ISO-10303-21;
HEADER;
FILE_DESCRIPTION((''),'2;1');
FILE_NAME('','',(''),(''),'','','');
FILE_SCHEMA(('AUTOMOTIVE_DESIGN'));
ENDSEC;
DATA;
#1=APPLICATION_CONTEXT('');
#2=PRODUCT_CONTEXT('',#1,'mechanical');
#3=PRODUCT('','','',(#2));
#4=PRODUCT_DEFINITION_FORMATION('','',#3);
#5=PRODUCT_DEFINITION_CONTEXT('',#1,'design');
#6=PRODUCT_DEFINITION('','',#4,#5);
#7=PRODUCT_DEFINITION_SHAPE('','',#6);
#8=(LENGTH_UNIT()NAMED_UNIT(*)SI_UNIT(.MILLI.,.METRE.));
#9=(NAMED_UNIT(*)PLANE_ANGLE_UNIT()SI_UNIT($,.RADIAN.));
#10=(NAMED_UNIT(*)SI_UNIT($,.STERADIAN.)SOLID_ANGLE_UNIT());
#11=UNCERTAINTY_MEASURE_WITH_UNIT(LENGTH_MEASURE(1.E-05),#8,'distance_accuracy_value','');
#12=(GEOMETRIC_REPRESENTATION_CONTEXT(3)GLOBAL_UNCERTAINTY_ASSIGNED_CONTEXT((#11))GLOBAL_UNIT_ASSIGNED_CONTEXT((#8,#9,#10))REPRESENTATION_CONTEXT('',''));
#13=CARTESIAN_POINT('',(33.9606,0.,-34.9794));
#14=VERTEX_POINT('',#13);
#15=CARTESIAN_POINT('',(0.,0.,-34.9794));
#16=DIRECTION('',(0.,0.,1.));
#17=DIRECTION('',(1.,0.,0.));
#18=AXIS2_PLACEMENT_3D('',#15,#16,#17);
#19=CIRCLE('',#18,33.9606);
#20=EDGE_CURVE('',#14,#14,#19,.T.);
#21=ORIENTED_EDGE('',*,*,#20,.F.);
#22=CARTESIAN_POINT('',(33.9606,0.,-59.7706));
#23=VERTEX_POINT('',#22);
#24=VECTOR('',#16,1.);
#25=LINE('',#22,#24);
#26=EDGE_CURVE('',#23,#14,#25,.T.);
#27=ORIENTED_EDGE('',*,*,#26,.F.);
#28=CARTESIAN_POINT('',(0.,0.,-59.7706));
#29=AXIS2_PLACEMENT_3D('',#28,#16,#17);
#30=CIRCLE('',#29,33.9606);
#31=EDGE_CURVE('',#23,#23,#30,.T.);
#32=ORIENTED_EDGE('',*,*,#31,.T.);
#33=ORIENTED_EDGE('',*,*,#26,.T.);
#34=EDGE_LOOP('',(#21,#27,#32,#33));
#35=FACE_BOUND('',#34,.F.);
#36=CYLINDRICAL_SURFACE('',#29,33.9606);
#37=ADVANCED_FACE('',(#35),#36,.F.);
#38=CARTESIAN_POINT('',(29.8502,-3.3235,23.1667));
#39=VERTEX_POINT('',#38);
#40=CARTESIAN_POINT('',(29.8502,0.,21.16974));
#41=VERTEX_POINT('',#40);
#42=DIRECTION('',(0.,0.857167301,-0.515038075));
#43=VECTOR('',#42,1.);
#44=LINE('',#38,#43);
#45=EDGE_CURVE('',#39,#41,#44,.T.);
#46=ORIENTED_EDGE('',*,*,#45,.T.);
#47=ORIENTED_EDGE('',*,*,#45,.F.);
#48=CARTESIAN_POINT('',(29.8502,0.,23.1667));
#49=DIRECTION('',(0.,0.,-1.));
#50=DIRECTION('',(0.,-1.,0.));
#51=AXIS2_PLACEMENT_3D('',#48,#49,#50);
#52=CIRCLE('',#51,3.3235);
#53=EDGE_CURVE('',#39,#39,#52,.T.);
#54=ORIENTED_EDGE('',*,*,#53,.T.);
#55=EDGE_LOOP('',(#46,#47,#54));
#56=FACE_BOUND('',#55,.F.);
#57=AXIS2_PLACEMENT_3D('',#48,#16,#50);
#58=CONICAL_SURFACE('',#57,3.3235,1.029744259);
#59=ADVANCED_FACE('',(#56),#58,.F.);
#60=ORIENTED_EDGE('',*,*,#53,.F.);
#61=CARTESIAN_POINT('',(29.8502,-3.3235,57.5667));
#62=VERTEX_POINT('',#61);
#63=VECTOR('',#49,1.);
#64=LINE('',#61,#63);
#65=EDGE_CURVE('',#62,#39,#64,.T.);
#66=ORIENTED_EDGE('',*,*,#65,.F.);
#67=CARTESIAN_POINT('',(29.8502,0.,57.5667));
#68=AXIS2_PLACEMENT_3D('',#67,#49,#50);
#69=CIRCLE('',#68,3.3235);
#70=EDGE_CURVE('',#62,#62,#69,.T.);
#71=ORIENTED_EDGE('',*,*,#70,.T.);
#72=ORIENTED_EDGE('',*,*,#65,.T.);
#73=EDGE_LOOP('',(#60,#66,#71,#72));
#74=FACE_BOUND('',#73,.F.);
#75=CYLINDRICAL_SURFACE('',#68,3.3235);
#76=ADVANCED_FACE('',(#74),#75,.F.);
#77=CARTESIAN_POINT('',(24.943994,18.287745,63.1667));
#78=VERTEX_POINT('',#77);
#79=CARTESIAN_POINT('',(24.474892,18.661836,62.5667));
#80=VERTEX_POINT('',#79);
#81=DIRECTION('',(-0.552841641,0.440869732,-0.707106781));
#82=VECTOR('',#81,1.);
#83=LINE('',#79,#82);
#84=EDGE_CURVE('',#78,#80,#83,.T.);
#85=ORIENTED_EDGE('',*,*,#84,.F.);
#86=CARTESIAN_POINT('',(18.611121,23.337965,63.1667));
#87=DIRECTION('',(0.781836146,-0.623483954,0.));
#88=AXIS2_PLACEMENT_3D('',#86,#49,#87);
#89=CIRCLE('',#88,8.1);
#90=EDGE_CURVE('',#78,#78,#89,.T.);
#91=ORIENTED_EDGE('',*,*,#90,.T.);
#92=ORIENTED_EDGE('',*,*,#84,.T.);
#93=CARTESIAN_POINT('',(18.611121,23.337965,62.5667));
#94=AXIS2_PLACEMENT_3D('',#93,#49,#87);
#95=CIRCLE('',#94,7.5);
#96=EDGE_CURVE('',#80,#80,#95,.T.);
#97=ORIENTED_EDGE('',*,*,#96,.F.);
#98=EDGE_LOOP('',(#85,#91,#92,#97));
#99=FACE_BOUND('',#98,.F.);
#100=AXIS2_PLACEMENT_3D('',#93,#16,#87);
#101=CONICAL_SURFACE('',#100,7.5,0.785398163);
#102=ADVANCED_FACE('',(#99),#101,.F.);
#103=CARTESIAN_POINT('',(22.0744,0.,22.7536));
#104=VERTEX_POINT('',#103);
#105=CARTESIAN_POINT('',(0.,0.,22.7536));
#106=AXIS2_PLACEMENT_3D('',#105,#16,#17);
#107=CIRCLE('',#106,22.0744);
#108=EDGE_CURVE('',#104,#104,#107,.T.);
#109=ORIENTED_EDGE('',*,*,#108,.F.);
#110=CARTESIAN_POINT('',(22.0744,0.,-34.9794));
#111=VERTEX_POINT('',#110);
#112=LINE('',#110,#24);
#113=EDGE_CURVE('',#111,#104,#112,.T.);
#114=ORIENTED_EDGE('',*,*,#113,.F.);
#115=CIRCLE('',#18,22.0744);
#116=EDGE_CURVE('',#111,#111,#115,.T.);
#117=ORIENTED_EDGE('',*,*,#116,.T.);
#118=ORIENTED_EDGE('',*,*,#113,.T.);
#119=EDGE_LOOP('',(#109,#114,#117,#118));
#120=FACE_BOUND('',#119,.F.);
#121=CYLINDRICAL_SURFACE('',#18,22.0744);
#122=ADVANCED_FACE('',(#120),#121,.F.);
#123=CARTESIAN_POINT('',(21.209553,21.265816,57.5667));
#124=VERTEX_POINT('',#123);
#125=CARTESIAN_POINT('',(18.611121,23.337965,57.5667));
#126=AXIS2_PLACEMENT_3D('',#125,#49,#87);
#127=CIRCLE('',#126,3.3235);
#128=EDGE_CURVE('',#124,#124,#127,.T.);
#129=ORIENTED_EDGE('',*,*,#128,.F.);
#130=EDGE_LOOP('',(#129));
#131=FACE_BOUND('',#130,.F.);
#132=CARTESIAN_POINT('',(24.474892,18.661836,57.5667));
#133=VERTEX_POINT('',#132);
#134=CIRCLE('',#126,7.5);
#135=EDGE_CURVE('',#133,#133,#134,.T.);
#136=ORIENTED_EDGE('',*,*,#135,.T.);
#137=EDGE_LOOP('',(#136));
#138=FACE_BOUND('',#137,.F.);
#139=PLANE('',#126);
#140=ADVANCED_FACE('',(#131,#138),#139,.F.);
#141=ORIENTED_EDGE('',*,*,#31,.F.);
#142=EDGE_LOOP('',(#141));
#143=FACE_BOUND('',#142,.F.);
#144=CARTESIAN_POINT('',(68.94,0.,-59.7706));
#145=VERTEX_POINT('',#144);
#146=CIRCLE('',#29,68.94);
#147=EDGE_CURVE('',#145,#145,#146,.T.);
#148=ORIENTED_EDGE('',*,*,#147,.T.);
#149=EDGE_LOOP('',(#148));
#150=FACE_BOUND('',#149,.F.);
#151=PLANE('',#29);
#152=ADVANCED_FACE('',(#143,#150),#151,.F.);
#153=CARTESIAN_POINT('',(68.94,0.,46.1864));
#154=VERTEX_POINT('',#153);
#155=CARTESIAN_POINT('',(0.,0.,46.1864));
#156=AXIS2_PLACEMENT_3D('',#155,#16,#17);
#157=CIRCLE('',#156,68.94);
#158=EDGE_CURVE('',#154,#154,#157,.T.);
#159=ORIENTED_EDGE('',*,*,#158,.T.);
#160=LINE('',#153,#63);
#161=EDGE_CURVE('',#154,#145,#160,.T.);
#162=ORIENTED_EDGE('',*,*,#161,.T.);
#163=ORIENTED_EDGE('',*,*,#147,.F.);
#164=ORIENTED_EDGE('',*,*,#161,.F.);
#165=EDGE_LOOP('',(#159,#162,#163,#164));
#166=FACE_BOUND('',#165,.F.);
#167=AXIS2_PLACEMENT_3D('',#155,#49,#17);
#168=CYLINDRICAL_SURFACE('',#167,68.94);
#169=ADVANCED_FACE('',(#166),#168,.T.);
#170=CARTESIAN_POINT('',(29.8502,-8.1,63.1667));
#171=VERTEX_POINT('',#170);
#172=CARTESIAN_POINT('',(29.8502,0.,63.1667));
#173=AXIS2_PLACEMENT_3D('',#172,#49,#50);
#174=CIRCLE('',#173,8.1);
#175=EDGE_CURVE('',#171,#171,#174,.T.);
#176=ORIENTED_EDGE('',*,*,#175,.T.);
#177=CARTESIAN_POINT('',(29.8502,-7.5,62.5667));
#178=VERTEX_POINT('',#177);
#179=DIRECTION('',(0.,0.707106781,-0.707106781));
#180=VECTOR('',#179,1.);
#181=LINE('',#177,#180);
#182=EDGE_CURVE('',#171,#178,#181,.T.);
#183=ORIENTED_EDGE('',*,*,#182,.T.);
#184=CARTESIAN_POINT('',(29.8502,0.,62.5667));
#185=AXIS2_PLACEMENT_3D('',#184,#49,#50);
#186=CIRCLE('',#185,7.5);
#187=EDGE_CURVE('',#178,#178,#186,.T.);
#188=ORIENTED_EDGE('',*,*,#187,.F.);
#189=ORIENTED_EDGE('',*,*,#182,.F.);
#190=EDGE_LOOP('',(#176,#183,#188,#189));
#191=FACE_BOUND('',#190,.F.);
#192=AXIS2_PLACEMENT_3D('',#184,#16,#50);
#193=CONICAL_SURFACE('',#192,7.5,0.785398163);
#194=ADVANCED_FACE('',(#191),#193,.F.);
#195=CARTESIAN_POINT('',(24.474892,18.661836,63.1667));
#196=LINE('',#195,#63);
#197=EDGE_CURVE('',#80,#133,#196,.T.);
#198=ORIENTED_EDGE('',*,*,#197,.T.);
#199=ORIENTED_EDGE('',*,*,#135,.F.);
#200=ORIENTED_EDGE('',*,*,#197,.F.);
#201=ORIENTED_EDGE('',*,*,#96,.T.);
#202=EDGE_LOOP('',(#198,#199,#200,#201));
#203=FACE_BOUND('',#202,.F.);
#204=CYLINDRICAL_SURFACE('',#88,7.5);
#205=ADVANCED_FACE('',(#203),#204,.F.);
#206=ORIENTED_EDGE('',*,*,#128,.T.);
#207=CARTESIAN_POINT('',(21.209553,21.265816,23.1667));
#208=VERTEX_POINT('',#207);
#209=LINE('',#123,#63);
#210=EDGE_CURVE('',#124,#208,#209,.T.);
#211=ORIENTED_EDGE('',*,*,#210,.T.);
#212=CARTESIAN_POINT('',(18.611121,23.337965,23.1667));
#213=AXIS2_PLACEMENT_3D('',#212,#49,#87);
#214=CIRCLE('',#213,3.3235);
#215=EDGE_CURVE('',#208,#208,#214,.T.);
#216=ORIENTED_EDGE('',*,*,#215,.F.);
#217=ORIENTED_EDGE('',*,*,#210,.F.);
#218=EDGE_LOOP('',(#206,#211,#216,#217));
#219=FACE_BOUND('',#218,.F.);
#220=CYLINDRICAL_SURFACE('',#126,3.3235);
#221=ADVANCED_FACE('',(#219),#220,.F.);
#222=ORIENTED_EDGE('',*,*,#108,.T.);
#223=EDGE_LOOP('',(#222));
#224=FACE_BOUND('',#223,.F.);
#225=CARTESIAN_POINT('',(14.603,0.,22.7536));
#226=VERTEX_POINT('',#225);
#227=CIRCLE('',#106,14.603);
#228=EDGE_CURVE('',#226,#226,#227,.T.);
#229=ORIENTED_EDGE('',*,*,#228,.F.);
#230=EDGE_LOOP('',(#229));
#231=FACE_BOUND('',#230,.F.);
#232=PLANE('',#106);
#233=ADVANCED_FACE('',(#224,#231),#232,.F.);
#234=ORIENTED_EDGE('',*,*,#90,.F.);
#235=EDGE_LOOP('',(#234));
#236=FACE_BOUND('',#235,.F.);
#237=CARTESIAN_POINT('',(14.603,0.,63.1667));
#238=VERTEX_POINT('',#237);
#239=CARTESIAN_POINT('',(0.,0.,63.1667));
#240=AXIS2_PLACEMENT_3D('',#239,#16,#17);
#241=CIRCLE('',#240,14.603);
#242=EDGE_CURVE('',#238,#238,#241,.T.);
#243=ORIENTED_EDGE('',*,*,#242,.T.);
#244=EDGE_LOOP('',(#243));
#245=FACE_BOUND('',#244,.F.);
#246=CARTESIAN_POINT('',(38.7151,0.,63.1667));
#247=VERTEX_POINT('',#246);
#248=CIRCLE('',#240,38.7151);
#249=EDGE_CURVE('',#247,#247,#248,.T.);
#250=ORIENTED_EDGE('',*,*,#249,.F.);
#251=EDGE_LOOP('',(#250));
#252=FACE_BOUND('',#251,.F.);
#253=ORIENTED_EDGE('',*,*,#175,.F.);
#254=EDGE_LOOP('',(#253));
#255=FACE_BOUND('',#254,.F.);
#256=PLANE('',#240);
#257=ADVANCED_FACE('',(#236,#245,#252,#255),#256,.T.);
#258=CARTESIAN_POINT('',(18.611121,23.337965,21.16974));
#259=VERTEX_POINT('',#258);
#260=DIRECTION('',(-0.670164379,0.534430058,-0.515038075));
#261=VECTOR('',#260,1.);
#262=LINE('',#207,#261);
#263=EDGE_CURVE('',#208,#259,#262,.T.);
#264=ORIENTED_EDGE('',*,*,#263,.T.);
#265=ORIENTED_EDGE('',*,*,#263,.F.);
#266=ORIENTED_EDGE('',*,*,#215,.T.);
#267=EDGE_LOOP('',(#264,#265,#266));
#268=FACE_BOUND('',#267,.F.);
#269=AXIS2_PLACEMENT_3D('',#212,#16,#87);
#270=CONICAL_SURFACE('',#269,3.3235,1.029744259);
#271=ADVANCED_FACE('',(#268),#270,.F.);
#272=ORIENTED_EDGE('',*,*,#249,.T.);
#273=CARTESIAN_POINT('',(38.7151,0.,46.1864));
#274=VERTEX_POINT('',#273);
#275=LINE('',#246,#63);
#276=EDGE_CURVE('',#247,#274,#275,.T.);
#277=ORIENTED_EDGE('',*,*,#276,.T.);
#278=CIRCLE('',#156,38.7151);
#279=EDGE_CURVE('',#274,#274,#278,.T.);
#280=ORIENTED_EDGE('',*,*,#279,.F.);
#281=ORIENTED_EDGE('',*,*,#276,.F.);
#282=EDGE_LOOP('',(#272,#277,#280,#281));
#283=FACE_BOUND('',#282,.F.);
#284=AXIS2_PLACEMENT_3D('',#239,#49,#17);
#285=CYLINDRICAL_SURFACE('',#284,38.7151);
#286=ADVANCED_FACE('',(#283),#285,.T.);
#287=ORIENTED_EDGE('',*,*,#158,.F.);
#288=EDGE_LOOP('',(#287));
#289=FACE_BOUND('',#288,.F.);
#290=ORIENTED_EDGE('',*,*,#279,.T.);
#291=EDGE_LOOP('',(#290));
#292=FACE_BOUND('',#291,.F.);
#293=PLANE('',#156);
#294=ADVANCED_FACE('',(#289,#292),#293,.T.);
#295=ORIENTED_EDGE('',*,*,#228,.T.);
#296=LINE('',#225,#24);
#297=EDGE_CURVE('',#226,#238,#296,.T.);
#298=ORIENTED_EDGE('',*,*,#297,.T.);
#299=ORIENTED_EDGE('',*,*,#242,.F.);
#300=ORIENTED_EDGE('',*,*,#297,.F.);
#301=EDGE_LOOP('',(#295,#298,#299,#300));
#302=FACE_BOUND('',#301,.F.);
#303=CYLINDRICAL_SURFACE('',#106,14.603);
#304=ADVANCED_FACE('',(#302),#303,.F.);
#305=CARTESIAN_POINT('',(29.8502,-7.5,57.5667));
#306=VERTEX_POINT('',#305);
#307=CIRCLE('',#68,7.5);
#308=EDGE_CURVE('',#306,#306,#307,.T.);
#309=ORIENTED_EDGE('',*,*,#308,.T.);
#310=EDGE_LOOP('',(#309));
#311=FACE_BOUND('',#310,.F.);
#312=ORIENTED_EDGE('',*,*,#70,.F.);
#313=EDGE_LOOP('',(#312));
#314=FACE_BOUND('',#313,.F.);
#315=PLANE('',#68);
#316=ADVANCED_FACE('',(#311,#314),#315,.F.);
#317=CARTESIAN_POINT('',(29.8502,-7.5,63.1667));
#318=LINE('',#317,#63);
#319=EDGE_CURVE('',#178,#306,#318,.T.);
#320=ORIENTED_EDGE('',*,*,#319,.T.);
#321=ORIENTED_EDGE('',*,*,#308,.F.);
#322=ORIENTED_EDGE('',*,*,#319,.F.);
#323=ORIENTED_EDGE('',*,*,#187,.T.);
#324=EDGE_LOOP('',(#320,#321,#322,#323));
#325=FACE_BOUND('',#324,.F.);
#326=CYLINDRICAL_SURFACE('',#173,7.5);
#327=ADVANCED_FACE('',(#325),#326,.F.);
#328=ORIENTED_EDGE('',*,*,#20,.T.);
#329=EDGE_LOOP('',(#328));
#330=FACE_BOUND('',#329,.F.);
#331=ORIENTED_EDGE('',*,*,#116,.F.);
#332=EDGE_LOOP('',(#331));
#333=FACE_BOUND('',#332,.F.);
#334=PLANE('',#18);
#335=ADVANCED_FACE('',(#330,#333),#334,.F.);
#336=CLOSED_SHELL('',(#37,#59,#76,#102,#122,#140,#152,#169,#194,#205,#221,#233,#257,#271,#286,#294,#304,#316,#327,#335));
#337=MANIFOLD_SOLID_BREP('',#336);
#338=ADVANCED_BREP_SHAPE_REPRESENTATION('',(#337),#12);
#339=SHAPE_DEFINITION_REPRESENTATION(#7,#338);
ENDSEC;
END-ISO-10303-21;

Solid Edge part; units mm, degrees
sketch "Sketch1" plane through (0, 0, 0) normal (0, -1, 0) x (1, 0, 0)
  line L0 (14.603, 63.1667) -> (38.7151, 63.1667)
  line L1 (38.7151, 63.1667) -> (38.7151, 46.1864)
  line L2 (38.7151, 46.1864) -> (68.94, 46.1864)
  line L3 (68.94, 46.1864) -> (68.94, -59.7706)
  line L4 (68.94, -59.7706) -> (33.9606, -59.7706)
  line L5 (33.9606, -59.7706) -> (33.9606, -34.9794)
  line L6 (33.9606, -34.9794) -> (22.0744, -34.9794)
  line L7 (22.0744, -34.9794) -> (22.0744, 22.7536)
  line L8 (22.0744, 22.7536) -> (14.603, 22.7536)
  line L9 (14.603, 22.7536) -> (14.603, 63.1667)
revolve "RevolvedProtrusion1" add sketch "Sketch1" angle 360 about axis through (0, 0, 0) along (0, 0, 1)
hole "Agujero_1" at (29.8502, 0, 63.1667) direction (0, 0, -1) diameter 6.647 depth 40 tip angle 118 counterbore diameter 15 counterbore depth 5.6 start chamfer 0.6 start chamfer angle 45 end chamfer 0.5 end chamfer angle 45 thread major 8 thread length 2
pattern_circular "Pattern1" count 2 over 51.429 about axis through (0, 0, 63.1667) along (0, 0, 1) of "Agujero_1"
